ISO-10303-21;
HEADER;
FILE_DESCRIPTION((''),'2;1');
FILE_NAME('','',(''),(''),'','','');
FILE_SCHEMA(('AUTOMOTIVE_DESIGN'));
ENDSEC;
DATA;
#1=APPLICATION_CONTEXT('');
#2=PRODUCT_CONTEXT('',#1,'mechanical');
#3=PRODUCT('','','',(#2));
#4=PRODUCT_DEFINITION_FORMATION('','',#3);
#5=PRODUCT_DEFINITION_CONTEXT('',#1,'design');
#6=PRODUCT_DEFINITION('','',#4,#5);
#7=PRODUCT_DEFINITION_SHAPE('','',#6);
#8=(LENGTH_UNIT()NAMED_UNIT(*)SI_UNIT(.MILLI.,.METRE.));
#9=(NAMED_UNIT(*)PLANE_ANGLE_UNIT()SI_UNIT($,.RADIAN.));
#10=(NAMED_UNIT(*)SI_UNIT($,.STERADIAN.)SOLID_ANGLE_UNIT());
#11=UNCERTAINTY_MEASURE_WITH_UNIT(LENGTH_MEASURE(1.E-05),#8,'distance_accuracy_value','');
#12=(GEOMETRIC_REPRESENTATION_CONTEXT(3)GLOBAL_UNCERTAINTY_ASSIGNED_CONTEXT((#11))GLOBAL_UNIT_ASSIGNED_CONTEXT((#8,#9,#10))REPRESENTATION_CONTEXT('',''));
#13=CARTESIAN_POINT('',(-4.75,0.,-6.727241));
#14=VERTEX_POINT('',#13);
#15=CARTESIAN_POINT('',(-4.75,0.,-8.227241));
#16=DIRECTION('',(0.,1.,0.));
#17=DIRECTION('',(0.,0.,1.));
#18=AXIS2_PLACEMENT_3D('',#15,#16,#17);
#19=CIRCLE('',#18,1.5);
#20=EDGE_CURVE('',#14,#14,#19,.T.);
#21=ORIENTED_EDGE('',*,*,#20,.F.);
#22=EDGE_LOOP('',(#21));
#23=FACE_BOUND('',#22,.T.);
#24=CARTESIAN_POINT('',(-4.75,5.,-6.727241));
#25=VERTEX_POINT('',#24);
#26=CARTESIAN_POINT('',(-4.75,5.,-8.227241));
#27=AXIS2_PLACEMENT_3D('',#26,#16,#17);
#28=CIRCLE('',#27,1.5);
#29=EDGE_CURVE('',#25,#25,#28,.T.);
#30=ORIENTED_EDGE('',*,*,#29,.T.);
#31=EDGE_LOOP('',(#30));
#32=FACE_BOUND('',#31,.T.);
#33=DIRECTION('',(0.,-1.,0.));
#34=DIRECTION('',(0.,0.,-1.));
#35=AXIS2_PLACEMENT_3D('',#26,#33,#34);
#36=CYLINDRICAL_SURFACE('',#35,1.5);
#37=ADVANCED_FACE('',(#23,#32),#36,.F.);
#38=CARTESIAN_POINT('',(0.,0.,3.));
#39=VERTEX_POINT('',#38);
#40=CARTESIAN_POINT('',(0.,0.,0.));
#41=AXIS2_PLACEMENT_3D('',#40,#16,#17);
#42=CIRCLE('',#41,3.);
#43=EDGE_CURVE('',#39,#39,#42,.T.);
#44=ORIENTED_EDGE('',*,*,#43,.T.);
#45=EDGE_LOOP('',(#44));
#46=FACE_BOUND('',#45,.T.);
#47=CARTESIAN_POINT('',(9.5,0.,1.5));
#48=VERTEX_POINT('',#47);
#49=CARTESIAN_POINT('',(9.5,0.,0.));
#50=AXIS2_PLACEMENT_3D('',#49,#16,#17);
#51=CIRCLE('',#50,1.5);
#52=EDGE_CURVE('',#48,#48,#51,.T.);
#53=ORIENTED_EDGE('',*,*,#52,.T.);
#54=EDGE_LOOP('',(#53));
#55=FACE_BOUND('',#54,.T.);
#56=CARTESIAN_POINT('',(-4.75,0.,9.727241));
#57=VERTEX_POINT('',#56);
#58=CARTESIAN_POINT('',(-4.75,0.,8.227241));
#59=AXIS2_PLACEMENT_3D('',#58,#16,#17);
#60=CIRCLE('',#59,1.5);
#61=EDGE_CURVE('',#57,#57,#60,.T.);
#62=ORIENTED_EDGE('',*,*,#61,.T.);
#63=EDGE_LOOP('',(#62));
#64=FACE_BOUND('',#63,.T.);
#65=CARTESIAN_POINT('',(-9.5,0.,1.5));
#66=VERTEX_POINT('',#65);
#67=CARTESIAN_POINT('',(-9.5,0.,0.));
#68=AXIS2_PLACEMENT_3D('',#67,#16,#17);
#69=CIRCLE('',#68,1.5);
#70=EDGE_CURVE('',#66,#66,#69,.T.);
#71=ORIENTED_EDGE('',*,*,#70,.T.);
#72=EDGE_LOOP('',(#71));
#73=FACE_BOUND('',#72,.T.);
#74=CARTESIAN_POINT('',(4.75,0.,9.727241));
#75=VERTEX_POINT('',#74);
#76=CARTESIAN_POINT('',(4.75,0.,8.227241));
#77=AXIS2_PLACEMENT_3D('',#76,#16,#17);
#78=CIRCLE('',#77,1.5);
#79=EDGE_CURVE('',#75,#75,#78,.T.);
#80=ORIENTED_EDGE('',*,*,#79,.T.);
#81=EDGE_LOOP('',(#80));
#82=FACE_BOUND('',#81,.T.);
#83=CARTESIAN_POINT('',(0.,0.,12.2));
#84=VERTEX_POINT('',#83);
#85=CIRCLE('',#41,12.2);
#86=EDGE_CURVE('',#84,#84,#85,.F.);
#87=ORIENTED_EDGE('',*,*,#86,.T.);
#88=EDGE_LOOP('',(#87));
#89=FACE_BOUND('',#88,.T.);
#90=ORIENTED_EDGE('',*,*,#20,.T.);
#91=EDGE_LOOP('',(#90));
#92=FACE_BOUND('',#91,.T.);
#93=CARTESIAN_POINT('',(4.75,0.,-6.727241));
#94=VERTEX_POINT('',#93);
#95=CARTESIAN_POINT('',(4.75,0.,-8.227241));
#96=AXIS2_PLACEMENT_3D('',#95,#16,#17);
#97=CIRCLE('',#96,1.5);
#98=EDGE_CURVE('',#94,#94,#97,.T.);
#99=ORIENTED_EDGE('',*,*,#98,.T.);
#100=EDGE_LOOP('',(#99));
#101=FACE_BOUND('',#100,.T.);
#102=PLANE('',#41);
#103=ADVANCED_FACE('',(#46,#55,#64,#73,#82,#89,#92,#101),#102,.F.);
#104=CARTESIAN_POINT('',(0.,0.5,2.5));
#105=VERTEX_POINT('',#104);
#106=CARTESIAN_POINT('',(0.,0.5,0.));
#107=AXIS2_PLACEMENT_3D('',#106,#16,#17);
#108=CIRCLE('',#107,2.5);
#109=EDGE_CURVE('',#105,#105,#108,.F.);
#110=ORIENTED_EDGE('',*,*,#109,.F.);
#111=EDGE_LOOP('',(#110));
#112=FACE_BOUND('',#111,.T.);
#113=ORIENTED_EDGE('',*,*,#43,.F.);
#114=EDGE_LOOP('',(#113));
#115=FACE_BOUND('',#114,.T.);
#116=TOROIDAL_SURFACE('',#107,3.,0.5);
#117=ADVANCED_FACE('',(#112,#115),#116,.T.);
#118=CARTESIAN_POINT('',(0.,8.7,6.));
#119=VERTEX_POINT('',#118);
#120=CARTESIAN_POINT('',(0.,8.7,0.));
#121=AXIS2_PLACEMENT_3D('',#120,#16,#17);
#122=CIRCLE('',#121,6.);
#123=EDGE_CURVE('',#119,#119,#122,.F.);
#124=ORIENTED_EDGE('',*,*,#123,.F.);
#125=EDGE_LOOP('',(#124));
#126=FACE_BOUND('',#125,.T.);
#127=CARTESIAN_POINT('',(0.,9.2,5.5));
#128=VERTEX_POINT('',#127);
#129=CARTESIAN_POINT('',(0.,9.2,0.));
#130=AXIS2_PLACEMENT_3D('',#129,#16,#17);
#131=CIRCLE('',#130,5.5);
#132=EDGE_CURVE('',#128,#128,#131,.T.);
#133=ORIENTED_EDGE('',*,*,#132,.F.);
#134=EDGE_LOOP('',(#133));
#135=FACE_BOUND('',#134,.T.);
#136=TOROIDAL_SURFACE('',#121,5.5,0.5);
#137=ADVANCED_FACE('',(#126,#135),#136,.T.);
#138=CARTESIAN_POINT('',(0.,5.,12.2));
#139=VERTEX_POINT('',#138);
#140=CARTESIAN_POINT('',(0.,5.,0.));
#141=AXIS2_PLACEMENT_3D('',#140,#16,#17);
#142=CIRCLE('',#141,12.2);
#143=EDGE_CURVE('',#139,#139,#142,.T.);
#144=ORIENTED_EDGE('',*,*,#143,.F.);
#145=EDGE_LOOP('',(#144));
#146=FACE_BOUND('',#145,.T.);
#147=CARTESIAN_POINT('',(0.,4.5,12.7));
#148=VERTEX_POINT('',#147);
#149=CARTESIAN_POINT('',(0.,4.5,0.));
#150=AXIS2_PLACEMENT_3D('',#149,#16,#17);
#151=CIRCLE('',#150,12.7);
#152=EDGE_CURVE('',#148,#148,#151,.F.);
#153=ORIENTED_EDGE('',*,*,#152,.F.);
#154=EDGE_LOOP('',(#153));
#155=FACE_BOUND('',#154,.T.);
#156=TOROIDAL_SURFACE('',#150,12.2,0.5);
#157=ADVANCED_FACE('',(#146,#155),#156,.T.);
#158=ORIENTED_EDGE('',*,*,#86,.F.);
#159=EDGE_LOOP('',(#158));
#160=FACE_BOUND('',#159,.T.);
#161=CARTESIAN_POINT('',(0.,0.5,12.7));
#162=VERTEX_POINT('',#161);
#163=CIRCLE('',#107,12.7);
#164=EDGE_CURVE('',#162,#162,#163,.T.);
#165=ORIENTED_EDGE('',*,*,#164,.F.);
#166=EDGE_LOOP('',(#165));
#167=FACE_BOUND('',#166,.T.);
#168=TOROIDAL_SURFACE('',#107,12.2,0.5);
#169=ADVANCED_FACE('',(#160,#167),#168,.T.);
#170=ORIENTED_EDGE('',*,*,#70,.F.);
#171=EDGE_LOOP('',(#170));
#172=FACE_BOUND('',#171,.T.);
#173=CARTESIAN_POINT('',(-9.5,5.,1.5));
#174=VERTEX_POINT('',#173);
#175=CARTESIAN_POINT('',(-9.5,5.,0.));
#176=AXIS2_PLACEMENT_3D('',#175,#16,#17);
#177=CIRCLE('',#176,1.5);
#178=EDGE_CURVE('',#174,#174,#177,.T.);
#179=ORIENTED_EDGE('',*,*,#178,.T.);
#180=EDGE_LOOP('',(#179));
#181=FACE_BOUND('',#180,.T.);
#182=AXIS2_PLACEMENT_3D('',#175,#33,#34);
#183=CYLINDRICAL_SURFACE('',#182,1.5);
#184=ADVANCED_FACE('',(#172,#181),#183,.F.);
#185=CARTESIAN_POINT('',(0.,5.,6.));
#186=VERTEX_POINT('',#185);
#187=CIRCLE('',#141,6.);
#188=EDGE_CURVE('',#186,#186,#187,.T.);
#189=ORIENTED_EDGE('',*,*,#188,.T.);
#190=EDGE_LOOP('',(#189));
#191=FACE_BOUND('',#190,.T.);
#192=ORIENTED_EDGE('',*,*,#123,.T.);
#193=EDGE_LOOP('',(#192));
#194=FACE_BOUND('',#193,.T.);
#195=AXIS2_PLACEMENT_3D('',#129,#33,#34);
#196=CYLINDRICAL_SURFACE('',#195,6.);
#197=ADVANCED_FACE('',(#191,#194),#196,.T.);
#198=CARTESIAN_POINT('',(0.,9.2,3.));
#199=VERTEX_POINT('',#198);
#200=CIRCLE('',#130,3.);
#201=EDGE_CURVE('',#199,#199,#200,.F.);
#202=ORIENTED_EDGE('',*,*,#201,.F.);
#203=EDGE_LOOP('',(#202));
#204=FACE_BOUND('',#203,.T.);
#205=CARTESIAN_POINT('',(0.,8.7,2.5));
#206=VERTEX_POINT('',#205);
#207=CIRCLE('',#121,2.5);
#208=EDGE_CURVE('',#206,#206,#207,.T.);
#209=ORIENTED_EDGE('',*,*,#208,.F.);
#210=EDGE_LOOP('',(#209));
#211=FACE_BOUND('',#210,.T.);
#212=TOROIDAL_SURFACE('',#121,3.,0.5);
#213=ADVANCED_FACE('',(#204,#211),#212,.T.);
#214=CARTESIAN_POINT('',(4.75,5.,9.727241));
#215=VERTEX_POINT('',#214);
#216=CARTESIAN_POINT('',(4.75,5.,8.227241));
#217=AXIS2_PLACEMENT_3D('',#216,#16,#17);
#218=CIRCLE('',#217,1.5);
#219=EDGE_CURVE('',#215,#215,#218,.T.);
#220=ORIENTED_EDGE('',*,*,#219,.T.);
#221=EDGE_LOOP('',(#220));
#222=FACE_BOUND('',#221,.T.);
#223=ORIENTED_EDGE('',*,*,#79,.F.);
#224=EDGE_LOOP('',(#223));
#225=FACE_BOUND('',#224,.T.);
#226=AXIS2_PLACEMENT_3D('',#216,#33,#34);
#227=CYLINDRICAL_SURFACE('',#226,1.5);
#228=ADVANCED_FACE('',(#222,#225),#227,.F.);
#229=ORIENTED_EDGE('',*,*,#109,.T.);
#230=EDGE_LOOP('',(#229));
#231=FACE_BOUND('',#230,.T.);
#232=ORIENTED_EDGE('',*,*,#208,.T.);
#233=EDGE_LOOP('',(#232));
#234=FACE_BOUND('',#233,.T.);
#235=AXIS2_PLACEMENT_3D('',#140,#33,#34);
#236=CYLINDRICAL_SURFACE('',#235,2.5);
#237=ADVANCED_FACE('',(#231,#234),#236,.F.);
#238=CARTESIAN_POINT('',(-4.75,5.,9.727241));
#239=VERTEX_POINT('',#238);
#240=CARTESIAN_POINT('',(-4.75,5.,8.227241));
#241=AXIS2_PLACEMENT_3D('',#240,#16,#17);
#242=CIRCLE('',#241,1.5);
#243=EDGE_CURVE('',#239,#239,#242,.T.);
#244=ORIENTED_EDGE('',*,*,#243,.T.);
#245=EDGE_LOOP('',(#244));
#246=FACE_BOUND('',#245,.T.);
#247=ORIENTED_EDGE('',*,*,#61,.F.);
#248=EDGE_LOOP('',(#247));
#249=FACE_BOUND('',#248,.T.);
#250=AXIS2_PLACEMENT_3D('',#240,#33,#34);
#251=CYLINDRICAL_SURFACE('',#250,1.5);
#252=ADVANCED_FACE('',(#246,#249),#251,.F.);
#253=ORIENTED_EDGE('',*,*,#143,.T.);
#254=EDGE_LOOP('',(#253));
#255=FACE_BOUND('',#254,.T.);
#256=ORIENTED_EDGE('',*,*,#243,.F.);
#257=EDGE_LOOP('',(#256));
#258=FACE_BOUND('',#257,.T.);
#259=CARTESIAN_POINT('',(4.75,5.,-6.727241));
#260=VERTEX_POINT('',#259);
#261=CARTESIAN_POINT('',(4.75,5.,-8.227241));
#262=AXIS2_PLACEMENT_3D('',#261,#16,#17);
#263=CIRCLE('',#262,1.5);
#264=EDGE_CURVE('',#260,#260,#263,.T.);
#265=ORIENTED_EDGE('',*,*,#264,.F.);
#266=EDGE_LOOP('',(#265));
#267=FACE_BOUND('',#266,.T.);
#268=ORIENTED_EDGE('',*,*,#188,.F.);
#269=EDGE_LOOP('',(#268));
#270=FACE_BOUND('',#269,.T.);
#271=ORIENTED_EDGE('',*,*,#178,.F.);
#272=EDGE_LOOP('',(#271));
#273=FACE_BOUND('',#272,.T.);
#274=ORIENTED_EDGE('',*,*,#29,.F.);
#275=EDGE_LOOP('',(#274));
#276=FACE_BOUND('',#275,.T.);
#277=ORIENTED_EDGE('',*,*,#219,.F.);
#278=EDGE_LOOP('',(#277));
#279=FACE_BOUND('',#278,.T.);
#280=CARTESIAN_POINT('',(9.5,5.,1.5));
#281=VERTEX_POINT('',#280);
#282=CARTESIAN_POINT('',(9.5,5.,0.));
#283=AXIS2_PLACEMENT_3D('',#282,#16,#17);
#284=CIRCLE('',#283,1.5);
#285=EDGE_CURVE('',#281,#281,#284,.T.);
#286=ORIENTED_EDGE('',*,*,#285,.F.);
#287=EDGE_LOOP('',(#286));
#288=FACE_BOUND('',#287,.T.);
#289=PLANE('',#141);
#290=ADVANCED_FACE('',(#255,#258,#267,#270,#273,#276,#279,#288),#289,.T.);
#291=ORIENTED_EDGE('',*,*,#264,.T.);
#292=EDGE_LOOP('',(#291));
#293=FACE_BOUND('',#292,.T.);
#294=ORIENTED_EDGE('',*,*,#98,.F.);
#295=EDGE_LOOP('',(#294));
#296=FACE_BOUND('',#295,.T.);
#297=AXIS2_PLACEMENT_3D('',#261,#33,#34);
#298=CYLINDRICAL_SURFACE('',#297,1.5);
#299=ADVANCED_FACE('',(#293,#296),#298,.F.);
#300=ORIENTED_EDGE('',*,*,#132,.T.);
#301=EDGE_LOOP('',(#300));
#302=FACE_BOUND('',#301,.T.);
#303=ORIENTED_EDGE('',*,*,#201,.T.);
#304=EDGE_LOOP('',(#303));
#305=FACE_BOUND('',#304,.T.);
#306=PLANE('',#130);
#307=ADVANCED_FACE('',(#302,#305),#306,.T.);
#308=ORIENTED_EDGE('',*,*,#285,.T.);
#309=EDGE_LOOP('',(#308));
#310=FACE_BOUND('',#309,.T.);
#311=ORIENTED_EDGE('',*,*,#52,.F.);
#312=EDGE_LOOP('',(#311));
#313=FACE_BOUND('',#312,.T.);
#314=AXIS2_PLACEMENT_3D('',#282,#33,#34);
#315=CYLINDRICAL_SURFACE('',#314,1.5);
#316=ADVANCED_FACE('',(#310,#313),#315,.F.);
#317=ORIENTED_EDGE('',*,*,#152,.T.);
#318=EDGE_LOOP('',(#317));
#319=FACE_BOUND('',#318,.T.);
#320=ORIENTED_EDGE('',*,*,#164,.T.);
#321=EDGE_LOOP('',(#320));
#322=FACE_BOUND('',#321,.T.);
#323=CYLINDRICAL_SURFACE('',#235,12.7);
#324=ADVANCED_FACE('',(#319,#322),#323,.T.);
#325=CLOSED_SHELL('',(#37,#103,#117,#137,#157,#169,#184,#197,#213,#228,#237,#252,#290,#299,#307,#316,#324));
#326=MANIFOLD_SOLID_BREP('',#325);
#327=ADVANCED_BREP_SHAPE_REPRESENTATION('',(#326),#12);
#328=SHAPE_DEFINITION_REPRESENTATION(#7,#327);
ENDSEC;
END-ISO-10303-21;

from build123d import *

# Parameters (mm, degrees)
SKETCH1_R        = 12.7
SKETCH1_R_2      = 1.5
SKETCH1_R_3      = 2.5
EXTRUSION1_DEPTH = 5
SKETCH2_R        = 6
SKETCH2_R_2      = 2.5
EXTRUSION2_DEPTH = 4.2
FILLET1_R        = 0.5


with BuildPart() as part:
    # Sketch1 → Extrusion1 (new body)
    with BuildSketch(Plane(origin=(0, 0, 0), x_dir=(-1, 0, 0), z_dir=(0, 1, 0))):
        with Locations(Location((0, 0, 0), (0, 0, 90))):
            Circle(SKETCH1_R)
        with Locations(Location((-4.75, -8.227241336, 0), (0, 0, 90))):
            Circle(SKETCH1_R_2, mode=Mode.SUBTRACT)
        with Locations(Location((0, 0, 0), (0, 0, 90))):
            Circle(SKETCH1_R_3, mode=Mode.SUBTRACT)
        with Locations(Location((-9.5, 0, 0), (0, 0, 90))):
            Circle(SKETCH1_R_2, mode=Mode.SUBTRACT)
        with Locations(Location((-4.75, 8.227241336, 0), (0, 0, 90))):
            Circle(SKETCH1_R_2, mode=Mode.SUBTRACT)
        with Locations(Location((4.75, 8.227241336, 0), (0, 0, 90))):
            Circle(SKETCH1_R_2, mode=Mode.SUBTRACT)
        with Locations(Location((9.5, 0, 0), (0, 0, 90))):
            Circle(SKETCH1_R_2, mode=Mode.SUBTRACT)
        with Locations(Location((4.75, -8.227241336, 0), (0, 0, 90))):
            Circle(SKETCH1_R_2, mode=Mode.SUBTRACT)
    extrude(amount=EXTRUSION1_DEPTH)

    # Sketch2 → Extrusion2 (add)
    with BuildSketch(Plane(origin=(0, 5, 0), x_dir=(1, 0, 0), z_dir=(0, 1, 0))):
        with Locations(Location((0, 0, 0), (0, 0, 270))):
            Circle(SKETCH2_R)
        with Locations(Location((0, 0, 0), (0, 0, 270))):
            Circle(SKETCH2_R_2, mode=Mode.SUBTRACT)
    extrude(amount=EXTRUSION2_DEPTH)

    # Fillet1
    fillet1_edges = [part.edges().sort_by_distance(p)[0] for p in [
        (0, 0, -12.7),
        (0, 0, -2.5),
        (0, 9.2, -2.5),
        (0, 9.2, -6),
        (0, 5, -12.7),
    ]]
    fillet(fillet1_edges, radius=FILLET1_R)


solid = part.part
